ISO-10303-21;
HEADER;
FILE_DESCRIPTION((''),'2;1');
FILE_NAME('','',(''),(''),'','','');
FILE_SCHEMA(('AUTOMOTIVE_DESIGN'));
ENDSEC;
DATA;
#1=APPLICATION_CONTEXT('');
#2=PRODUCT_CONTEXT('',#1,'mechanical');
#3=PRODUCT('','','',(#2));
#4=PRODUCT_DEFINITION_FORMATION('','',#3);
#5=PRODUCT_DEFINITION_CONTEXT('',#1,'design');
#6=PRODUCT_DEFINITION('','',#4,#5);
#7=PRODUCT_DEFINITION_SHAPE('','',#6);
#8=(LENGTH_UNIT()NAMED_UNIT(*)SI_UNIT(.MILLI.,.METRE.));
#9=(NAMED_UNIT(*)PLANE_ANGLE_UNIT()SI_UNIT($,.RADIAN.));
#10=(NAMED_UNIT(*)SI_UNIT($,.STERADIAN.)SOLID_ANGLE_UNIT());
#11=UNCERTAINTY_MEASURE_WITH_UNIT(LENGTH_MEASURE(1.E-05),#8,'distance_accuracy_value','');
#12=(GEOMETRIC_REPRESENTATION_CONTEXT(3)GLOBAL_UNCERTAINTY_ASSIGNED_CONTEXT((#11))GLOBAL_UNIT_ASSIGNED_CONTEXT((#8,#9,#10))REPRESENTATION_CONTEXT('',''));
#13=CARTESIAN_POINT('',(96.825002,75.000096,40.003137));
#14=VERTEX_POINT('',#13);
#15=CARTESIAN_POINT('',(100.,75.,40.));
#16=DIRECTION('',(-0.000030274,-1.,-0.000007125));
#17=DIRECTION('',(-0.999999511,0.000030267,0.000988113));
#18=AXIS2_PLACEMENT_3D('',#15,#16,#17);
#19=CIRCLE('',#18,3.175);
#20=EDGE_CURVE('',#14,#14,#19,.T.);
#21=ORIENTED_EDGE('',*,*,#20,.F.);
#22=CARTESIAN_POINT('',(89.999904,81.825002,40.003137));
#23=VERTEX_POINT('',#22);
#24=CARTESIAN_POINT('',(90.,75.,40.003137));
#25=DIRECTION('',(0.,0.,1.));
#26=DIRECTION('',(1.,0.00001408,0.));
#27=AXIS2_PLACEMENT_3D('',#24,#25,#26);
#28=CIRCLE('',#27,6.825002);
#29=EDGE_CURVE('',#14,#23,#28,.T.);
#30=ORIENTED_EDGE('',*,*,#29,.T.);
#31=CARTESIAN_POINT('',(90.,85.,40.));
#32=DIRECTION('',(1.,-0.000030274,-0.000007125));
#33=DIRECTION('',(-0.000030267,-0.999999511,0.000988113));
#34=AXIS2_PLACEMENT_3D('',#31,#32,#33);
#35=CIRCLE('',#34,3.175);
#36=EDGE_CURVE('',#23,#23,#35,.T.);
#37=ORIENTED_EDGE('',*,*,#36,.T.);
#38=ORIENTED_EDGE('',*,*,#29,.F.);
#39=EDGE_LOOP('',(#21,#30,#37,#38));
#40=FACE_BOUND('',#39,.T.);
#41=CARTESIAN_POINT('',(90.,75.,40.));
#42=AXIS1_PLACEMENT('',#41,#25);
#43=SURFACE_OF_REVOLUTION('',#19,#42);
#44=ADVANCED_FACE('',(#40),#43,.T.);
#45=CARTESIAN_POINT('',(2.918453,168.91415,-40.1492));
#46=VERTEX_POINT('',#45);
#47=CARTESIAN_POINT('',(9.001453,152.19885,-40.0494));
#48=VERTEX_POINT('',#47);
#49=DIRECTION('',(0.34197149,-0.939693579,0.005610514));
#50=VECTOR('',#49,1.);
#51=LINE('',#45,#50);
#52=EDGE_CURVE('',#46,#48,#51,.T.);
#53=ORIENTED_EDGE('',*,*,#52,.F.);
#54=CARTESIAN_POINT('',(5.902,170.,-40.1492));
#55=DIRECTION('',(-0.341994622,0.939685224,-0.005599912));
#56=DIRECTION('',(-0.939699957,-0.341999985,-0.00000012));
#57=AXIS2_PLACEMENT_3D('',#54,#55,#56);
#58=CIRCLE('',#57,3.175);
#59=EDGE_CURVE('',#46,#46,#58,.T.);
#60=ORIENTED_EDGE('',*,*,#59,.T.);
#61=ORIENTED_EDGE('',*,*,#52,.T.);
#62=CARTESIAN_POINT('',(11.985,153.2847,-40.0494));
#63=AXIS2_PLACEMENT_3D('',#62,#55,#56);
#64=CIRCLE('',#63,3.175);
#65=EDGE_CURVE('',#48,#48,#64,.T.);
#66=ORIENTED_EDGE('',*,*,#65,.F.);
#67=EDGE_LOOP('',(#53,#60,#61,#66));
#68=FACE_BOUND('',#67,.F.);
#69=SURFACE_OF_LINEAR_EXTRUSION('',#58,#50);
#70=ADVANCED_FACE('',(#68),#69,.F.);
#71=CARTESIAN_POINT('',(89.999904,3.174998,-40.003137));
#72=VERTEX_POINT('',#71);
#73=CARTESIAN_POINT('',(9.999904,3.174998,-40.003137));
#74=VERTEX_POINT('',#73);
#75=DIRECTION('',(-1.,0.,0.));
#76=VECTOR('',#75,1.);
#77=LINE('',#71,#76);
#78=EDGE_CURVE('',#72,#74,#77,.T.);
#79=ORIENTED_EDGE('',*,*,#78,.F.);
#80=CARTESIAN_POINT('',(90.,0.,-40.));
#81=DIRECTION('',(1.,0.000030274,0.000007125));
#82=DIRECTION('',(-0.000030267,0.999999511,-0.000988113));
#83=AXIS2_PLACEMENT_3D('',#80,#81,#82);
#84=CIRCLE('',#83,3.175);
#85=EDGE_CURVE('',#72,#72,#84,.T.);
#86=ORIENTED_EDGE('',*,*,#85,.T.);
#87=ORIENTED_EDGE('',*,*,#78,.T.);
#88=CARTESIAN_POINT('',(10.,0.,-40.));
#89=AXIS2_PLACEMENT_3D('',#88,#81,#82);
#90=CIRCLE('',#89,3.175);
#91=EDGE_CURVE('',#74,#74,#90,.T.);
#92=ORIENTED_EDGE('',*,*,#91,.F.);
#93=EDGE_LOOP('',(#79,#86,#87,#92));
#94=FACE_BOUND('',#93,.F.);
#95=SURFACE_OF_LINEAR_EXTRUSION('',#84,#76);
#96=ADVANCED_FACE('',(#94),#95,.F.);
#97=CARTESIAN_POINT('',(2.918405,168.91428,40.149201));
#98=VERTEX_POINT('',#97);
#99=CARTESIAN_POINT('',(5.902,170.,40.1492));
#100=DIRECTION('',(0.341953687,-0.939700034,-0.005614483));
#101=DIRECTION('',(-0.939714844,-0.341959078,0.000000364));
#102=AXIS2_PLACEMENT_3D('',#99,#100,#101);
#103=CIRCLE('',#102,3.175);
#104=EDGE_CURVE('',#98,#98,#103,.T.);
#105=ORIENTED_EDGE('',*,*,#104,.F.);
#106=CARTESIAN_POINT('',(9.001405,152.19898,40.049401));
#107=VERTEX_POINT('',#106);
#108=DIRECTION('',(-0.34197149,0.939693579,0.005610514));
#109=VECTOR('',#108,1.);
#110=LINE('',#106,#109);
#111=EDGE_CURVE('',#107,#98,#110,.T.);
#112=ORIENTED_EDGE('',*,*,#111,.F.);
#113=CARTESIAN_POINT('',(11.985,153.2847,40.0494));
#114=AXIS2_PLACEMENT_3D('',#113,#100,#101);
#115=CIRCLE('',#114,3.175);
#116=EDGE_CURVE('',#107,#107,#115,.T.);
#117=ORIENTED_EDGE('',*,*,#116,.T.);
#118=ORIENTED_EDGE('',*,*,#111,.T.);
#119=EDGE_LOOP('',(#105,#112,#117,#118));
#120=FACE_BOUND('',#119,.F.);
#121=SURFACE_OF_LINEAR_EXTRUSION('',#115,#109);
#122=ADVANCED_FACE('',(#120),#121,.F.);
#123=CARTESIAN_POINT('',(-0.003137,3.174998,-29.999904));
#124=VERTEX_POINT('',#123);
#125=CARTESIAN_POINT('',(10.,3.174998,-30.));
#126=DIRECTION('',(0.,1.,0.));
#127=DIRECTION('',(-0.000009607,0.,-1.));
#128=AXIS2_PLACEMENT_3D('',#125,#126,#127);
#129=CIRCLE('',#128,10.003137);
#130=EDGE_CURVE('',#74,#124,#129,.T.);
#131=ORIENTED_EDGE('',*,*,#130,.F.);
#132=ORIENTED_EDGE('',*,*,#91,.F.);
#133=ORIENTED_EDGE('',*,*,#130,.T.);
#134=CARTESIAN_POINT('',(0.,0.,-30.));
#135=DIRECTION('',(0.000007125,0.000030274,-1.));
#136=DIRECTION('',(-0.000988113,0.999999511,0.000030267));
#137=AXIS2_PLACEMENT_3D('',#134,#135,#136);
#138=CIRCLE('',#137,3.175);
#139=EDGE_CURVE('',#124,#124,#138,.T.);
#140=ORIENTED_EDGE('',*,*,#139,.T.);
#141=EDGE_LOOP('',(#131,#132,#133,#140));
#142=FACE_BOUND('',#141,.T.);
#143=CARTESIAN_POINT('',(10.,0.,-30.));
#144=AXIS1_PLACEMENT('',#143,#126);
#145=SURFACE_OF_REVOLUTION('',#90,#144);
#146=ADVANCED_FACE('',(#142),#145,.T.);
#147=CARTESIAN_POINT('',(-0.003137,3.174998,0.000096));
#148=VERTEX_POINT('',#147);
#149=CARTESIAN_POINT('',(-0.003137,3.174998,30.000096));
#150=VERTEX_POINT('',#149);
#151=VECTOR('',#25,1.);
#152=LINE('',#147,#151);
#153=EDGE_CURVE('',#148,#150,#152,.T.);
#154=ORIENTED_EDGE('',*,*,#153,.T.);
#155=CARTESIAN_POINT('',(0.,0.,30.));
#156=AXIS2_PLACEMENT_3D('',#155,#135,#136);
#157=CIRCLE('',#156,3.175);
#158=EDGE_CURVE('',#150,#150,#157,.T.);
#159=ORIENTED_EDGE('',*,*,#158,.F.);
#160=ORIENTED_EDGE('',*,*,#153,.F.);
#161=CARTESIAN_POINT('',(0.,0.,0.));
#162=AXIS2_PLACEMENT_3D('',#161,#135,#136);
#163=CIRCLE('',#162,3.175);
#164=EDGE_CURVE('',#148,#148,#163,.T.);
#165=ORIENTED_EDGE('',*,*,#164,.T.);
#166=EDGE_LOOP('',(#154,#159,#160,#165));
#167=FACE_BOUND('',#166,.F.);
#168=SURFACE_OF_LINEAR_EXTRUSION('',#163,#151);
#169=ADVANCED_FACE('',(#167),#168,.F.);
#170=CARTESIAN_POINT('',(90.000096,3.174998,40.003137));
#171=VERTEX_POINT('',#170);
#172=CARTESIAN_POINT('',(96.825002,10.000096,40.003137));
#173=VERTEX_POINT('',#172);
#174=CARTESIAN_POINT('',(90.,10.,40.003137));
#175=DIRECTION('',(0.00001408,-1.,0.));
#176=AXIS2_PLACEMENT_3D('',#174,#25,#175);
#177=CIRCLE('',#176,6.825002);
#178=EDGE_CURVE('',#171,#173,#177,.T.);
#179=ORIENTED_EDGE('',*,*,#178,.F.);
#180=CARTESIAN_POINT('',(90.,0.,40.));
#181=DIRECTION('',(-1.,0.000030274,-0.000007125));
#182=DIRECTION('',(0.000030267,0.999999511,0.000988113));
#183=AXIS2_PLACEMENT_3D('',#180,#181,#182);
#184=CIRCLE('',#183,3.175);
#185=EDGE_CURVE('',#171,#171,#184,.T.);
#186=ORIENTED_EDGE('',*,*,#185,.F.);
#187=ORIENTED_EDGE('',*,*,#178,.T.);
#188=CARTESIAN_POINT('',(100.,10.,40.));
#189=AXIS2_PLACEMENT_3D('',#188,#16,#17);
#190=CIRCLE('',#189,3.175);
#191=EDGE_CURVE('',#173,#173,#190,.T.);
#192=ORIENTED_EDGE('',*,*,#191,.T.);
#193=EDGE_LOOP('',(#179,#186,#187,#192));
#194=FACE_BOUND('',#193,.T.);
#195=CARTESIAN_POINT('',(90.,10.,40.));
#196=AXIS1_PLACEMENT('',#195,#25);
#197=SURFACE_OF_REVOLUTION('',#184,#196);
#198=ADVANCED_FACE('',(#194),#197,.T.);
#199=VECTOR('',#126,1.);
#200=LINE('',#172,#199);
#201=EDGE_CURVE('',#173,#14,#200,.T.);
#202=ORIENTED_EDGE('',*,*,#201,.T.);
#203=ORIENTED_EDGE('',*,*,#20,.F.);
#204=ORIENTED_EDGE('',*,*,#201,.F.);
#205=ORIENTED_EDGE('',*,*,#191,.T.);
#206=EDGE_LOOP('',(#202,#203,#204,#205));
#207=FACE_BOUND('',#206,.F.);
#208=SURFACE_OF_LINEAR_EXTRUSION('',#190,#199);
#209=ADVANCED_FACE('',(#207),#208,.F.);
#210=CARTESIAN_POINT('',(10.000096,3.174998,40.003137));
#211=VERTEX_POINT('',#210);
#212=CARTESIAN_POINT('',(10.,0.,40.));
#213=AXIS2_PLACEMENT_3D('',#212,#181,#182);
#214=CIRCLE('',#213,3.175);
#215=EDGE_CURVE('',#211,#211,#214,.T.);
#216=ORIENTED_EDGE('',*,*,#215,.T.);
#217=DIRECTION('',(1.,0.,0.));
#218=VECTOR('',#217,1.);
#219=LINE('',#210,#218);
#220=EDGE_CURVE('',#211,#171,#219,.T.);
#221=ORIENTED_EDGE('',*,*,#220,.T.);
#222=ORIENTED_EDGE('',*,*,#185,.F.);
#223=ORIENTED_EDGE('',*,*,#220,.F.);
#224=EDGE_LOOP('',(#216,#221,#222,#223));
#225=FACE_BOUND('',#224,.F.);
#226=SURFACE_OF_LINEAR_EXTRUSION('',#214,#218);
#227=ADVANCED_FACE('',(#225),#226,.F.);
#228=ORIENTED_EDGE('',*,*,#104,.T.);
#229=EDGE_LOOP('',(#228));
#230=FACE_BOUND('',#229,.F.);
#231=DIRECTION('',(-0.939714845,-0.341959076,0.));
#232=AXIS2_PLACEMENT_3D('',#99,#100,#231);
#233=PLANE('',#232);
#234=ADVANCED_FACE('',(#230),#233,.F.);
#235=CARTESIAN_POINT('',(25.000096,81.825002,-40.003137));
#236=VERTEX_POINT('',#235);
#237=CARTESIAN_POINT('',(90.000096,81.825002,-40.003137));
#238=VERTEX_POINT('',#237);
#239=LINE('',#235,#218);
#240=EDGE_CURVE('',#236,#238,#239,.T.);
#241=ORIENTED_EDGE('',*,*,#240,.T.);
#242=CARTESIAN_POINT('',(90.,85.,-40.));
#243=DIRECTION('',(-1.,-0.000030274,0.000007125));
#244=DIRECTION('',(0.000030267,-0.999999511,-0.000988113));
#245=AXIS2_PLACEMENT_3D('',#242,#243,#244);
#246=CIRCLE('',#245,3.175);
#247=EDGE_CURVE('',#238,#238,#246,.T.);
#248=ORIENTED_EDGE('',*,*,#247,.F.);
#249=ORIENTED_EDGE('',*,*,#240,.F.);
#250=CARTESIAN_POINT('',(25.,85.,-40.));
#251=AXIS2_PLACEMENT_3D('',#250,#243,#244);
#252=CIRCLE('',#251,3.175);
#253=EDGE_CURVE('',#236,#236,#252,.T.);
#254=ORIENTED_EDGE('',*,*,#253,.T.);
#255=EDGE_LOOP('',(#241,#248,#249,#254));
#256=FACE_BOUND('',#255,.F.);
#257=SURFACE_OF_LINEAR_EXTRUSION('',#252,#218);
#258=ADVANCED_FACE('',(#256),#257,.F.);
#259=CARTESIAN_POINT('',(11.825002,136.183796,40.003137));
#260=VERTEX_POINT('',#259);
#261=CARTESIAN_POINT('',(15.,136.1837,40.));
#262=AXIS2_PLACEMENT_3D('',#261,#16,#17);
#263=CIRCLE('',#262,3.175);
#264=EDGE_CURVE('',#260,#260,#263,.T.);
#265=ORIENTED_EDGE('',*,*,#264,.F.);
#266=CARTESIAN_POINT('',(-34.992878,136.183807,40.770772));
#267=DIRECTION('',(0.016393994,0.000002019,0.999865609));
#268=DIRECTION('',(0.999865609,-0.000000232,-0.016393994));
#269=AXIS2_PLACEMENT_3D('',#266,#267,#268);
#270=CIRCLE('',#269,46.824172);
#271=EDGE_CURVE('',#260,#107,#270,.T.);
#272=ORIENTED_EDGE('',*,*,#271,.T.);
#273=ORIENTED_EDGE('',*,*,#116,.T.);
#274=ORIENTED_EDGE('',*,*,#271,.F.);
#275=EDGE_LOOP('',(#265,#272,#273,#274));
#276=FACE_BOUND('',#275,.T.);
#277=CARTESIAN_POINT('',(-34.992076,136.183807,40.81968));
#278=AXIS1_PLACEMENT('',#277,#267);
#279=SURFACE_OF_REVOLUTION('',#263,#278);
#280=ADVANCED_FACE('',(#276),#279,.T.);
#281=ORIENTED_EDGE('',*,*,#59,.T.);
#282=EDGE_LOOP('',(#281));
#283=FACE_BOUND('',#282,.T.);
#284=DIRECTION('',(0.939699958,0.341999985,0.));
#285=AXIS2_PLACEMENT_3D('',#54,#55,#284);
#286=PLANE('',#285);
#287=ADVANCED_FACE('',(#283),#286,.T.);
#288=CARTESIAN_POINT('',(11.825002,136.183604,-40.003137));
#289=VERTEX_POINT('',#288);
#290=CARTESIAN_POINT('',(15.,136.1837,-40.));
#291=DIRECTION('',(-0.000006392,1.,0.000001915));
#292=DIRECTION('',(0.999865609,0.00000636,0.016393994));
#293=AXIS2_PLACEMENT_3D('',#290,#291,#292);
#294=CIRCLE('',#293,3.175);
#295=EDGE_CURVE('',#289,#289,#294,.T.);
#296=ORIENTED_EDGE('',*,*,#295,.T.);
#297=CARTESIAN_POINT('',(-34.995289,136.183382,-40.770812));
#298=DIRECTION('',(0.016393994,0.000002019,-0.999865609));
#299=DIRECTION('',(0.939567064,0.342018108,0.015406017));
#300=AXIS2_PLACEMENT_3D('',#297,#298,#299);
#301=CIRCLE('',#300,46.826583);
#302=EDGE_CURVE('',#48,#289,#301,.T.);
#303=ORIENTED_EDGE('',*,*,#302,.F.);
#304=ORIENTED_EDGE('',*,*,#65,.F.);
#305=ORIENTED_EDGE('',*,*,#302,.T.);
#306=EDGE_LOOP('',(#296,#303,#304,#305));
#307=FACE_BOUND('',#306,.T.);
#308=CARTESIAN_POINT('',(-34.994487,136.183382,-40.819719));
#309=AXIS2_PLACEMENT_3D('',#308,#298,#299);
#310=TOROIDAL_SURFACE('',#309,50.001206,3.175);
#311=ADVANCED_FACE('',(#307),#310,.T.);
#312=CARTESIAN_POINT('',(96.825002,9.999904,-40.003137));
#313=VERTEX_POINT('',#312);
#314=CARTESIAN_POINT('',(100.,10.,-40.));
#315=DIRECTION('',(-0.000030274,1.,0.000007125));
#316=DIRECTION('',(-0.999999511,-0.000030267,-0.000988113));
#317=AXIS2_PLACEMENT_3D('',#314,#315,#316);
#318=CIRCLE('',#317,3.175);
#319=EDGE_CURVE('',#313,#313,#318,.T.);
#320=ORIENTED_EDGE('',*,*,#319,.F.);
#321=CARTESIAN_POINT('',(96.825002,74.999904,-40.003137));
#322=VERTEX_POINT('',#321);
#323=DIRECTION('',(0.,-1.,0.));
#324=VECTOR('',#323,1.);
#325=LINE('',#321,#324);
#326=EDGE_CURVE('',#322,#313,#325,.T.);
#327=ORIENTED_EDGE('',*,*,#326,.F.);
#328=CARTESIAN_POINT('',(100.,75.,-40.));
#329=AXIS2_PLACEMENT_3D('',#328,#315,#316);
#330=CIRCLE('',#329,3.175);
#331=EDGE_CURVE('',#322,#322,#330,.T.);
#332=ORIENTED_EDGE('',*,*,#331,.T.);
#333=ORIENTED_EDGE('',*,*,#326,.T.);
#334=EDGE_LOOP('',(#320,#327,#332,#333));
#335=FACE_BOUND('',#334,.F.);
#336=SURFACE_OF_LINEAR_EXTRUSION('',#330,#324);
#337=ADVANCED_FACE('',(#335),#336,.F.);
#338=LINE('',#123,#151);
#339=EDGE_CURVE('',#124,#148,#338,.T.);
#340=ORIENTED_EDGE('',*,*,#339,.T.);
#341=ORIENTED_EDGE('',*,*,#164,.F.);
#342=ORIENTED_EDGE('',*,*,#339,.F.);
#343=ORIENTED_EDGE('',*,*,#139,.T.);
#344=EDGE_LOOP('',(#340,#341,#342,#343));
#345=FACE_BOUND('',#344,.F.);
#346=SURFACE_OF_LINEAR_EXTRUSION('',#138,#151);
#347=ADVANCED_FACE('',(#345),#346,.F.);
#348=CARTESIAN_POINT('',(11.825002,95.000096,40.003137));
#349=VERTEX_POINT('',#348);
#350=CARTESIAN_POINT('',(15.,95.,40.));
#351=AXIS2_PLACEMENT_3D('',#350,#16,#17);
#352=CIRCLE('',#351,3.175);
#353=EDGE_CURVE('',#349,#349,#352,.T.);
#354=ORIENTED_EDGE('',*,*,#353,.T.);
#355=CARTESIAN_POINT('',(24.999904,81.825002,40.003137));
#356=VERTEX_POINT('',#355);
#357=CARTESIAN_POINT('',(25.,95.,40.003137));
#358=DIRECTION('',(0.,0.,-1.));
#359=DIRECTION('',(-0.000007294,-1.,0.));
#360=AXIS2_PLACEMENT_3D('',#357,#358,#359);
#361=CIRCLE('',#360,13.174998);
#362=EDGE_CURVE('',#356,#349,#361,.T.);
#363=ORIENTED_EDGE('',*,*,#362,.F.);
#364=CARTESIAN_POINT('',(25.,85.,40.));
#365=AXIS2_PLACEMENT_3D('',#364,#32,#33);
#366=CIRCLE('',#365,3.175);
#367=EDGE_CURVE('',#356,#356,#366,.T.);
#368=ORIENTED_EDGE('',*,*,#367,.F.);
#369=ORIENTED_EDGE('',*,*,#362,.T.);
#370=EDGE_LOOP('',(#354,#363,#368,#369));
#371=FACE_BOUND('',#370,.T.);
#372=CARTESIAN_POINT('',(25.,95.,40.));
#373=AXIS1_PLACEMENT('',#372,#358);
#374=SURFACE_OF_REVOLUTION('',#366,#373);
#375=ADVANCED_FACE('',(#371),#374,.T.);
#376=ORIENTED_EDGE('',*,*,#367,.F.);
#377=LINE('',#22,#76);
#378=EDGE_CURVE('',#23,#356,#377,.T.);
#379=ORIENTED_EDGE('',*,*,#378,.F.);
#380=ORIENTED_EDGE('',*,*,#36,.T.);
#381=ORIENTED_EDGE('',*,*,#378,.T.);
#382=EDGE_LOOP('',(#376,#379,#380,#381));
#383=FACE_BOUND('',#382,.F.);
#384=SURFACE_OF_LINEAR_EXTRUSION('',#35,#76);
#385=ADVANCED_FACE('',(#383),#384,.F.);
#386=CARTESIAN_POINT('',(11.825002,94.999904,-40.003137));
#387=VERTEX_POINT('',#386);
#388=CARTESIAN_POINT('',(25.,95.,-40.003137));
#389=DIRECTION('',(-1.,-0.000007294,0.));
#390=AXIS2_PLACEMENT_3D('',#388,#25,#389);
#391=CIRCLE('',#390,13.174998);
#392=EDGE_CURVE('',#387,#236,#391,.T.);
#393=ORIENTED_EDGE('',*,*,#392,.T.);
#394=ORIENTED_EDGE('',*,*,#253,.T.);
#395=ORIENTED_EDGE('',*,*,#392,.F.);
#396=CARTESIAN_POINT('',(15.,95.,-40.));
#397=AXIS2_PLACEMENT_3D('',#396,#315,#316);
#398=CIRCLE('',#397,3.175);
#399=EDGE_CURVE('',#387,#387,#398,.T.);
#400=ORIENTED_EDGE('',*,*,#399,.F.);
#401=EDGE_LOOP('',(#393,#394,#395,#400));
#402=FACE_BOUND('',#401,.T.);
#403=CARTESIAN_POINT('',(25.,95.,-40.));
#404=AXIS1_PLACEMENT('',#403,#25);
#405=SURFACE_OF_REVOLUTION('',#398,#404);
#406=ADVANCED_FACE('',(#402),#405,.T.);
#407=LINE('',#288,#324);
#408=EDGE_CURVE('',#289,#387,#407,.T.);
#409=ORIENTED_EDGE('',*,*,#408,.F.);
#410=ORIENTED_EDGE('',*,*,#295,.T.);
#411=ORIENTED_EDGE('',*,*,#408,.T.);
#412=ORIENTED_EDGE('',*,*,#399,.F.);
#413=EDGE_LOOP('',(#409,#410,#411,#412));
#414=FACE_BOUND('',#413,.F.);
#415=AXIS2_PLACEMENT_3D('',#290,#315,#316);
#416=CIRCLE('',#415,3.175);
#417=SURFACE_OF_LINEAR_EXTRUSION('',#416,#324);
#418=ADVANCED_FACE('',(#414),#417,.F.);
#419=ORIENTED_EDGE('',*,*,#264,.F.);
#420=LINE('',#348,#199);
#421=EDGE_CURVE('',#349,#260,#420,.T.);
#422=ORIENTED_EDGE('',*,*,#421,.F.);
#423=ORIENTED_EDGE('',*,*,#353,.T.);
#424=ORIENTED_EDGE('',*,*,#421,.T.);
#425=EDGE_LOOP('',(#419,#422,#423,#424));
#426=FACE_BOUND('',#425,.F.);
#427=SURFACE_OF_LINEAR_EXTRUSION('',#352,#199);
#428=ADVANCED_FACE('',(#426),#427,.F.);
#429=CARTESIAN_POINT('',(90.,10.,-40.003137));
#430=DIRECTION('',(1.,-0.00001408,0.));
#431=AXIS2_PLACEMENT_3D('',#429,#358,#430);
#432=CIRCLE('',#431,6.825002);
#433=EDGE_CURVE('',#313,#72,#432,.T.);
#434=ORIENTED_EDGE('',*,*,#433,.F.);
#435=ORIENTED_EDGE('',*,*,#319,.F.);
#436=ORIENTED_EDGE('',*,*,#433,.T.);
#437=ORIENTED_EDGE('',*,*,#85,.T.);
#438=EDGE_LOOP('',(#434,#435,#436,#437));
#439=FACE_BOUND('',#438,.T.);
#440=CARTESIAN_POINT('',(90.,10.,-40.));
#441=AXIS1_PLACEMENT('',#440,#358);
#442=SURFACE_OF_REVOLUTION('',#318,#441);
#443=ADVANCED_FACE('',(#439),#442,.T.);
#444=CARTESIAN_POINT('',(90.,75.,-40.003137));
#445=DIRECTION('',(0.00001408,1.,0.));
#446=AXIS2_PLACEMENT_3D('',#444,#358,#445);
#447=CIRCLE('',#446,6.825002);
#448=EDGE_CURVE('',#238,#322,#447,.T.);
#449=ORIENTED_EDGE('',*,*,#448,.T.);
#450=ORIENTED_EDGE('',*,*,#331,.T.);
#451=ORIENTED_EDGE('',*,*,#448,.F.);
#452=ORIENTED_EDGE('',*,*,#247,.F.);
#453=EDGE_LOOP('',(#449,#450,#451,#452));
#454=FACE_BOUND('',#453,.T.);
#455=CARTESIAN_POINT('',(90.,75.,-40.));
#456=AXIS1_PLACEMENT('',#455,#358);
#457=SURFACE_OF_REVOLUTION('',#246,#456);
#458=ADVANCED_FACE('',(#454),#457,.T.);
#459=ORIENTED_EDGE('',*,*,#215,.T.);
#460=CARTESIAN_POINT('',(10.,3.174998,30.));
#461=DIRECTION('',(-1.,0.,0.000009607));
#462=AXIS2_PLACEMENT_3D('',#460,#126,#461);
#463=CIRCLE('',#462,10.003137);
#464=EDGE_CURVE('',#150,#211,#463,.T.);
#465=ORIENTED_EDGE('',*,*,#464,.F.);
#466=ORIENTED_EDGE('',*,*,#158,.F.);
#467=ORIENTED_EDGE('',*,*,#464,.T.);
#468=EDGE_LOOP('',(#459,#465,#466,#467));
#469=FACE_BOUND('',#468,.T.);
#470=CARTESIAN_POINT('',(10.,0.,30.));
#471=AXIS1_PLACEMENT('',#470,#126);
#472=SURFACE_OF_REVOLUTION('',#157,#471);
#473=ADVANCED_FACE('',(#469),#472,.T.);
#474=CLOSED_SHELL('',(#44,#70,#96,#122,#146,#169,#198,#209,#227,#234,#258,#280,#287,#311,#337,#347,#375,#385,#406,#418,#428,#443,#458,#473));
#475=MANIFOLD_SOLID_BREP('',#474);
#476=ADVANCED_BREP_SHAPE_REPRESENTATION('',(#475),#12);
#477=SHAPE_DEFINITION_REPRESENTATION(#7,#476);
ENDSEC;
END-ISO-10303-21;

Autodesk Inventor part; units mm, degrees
ref_plane "YZ Plane" through (0, 0, 0) normal (1, 0, 0) x (0, 1, 0)
ref_plane "XZ Plane" through (0, 0, 0) normal (0, 1, 0) x (-1, 0, 0)
ref_plane "Work Plane2" through (5.902, 170, -40.1492) normal (-0.342, 0.9397, -0.0056) x (-0.9397, -0.342, 0)
sketch "Sketch1" plane through (5.902, 170, -40.1492) normal (-0.342, 0.9397, -0.0056) x (-0.9397, -0.342, 0)
  circle A0 centre (0, 0) radius 3.175
  point P0 (63.6826, 39.2641)
  dimension "d18" = 6.35
sketch3d "3D Sketch1"
  line L0 (5.902, 170, -40.1492) -> (11.985, 153.2847, -40.0494)
  arc A0 (11.985, 153.2847, -40.0494) -> (15, 136.1837, -40) centre (-34.9933, 136.1837, -40.8197) ccw
  line L1 (15, 136.1837, -40) -> (15, 95, -40)
  arc A1 (15, 95, -40) -> (25, 85, -40) centre (25, 95, -40) ccw
  line L2 (25, 85, -40) -> (90, 85, -40)
  arc A2 (90, 85, -40) -> (100, 75, -40) centre (90, 75, -40) ccw
  line L3 (100, 75, -40) -> (100, 10, -40)
  arc A3 (100, 10, -40) -> (90, 0, -40) centre (90, 10, -40) ccw
  line L4 (90, 0, -40) -> (10, 0, -40)
  arc A4 (10, 0, -40) -> (0, 0, -30) centre (10, 0, -30) ccw
  line L5 (0, 0, -30) -> (0, 0, 0)
  line L6 (0, 0, 0) -> (0, 0, 30)
  arc A5 (0, 0, 30) -> (10, 0, 40) centre (10, 0, 30) ccw
  line L7 (10, 0, 40) -> (90, 0, 40)
  arc A6 (90, 0, 40) -> (100, 10, 40) centre (90, 10, 40) ccw
  line L8 (100, 10, 40) -> (100, 75, 40)
  arc A7 (100, 75, 40) -> (90, 85, 40) centre (90, 75, 40) ccw
  line L9 (90, 85, 40) -> (25, 85, 40)
  arc A8 (25, 85, 40) -> (15, 95, 40) centre (25, 95, 40) ccw
  line L10 (15, 95, 40) -> (15, 136.1837, 40)
  arc A9 (15, 136.1837, 40) -> (11.985, 153.2847, 40.0494) centre (-34.9933, 136.1837, 40.8197) ccw
  line L11 (11.985, 153.2847, 40.0494) -> (5.902, 170, 40.1492)
  dimension "d0" = 40
  dimension "d1" = 100
  dimension "d2" = 85
  dimension "d3" = 85
  dimension "d5" = 10
  dimension "d6" = 10
  dimension "d7" = 10
  dimension "d8" = 10
  dimension "d9" = 50
  dimension "d10" = 20
  dimension "d11" = 170
  dimension "d12" = 60
  dimension "d13" = 10
  dimension "d14" = 10
  dimension "d15" = 10
  dimension "d16" = 10
  dimension "d17" = 50
sweep "Sweep1" add profiles "Sketch1" path "3D Sketch1"
equation "\"d6\" = d5"
equation "\"d7\" = d5"
equation "\"d8\" = d5"
equation "\"d13\" = d5"
equation "\"d14\" = d6"
equation "\"d15\" = d7"
equation "\"d16\" = d8"
equation "\"d17\" = d9"
properties part number "CE-1.4.1"
